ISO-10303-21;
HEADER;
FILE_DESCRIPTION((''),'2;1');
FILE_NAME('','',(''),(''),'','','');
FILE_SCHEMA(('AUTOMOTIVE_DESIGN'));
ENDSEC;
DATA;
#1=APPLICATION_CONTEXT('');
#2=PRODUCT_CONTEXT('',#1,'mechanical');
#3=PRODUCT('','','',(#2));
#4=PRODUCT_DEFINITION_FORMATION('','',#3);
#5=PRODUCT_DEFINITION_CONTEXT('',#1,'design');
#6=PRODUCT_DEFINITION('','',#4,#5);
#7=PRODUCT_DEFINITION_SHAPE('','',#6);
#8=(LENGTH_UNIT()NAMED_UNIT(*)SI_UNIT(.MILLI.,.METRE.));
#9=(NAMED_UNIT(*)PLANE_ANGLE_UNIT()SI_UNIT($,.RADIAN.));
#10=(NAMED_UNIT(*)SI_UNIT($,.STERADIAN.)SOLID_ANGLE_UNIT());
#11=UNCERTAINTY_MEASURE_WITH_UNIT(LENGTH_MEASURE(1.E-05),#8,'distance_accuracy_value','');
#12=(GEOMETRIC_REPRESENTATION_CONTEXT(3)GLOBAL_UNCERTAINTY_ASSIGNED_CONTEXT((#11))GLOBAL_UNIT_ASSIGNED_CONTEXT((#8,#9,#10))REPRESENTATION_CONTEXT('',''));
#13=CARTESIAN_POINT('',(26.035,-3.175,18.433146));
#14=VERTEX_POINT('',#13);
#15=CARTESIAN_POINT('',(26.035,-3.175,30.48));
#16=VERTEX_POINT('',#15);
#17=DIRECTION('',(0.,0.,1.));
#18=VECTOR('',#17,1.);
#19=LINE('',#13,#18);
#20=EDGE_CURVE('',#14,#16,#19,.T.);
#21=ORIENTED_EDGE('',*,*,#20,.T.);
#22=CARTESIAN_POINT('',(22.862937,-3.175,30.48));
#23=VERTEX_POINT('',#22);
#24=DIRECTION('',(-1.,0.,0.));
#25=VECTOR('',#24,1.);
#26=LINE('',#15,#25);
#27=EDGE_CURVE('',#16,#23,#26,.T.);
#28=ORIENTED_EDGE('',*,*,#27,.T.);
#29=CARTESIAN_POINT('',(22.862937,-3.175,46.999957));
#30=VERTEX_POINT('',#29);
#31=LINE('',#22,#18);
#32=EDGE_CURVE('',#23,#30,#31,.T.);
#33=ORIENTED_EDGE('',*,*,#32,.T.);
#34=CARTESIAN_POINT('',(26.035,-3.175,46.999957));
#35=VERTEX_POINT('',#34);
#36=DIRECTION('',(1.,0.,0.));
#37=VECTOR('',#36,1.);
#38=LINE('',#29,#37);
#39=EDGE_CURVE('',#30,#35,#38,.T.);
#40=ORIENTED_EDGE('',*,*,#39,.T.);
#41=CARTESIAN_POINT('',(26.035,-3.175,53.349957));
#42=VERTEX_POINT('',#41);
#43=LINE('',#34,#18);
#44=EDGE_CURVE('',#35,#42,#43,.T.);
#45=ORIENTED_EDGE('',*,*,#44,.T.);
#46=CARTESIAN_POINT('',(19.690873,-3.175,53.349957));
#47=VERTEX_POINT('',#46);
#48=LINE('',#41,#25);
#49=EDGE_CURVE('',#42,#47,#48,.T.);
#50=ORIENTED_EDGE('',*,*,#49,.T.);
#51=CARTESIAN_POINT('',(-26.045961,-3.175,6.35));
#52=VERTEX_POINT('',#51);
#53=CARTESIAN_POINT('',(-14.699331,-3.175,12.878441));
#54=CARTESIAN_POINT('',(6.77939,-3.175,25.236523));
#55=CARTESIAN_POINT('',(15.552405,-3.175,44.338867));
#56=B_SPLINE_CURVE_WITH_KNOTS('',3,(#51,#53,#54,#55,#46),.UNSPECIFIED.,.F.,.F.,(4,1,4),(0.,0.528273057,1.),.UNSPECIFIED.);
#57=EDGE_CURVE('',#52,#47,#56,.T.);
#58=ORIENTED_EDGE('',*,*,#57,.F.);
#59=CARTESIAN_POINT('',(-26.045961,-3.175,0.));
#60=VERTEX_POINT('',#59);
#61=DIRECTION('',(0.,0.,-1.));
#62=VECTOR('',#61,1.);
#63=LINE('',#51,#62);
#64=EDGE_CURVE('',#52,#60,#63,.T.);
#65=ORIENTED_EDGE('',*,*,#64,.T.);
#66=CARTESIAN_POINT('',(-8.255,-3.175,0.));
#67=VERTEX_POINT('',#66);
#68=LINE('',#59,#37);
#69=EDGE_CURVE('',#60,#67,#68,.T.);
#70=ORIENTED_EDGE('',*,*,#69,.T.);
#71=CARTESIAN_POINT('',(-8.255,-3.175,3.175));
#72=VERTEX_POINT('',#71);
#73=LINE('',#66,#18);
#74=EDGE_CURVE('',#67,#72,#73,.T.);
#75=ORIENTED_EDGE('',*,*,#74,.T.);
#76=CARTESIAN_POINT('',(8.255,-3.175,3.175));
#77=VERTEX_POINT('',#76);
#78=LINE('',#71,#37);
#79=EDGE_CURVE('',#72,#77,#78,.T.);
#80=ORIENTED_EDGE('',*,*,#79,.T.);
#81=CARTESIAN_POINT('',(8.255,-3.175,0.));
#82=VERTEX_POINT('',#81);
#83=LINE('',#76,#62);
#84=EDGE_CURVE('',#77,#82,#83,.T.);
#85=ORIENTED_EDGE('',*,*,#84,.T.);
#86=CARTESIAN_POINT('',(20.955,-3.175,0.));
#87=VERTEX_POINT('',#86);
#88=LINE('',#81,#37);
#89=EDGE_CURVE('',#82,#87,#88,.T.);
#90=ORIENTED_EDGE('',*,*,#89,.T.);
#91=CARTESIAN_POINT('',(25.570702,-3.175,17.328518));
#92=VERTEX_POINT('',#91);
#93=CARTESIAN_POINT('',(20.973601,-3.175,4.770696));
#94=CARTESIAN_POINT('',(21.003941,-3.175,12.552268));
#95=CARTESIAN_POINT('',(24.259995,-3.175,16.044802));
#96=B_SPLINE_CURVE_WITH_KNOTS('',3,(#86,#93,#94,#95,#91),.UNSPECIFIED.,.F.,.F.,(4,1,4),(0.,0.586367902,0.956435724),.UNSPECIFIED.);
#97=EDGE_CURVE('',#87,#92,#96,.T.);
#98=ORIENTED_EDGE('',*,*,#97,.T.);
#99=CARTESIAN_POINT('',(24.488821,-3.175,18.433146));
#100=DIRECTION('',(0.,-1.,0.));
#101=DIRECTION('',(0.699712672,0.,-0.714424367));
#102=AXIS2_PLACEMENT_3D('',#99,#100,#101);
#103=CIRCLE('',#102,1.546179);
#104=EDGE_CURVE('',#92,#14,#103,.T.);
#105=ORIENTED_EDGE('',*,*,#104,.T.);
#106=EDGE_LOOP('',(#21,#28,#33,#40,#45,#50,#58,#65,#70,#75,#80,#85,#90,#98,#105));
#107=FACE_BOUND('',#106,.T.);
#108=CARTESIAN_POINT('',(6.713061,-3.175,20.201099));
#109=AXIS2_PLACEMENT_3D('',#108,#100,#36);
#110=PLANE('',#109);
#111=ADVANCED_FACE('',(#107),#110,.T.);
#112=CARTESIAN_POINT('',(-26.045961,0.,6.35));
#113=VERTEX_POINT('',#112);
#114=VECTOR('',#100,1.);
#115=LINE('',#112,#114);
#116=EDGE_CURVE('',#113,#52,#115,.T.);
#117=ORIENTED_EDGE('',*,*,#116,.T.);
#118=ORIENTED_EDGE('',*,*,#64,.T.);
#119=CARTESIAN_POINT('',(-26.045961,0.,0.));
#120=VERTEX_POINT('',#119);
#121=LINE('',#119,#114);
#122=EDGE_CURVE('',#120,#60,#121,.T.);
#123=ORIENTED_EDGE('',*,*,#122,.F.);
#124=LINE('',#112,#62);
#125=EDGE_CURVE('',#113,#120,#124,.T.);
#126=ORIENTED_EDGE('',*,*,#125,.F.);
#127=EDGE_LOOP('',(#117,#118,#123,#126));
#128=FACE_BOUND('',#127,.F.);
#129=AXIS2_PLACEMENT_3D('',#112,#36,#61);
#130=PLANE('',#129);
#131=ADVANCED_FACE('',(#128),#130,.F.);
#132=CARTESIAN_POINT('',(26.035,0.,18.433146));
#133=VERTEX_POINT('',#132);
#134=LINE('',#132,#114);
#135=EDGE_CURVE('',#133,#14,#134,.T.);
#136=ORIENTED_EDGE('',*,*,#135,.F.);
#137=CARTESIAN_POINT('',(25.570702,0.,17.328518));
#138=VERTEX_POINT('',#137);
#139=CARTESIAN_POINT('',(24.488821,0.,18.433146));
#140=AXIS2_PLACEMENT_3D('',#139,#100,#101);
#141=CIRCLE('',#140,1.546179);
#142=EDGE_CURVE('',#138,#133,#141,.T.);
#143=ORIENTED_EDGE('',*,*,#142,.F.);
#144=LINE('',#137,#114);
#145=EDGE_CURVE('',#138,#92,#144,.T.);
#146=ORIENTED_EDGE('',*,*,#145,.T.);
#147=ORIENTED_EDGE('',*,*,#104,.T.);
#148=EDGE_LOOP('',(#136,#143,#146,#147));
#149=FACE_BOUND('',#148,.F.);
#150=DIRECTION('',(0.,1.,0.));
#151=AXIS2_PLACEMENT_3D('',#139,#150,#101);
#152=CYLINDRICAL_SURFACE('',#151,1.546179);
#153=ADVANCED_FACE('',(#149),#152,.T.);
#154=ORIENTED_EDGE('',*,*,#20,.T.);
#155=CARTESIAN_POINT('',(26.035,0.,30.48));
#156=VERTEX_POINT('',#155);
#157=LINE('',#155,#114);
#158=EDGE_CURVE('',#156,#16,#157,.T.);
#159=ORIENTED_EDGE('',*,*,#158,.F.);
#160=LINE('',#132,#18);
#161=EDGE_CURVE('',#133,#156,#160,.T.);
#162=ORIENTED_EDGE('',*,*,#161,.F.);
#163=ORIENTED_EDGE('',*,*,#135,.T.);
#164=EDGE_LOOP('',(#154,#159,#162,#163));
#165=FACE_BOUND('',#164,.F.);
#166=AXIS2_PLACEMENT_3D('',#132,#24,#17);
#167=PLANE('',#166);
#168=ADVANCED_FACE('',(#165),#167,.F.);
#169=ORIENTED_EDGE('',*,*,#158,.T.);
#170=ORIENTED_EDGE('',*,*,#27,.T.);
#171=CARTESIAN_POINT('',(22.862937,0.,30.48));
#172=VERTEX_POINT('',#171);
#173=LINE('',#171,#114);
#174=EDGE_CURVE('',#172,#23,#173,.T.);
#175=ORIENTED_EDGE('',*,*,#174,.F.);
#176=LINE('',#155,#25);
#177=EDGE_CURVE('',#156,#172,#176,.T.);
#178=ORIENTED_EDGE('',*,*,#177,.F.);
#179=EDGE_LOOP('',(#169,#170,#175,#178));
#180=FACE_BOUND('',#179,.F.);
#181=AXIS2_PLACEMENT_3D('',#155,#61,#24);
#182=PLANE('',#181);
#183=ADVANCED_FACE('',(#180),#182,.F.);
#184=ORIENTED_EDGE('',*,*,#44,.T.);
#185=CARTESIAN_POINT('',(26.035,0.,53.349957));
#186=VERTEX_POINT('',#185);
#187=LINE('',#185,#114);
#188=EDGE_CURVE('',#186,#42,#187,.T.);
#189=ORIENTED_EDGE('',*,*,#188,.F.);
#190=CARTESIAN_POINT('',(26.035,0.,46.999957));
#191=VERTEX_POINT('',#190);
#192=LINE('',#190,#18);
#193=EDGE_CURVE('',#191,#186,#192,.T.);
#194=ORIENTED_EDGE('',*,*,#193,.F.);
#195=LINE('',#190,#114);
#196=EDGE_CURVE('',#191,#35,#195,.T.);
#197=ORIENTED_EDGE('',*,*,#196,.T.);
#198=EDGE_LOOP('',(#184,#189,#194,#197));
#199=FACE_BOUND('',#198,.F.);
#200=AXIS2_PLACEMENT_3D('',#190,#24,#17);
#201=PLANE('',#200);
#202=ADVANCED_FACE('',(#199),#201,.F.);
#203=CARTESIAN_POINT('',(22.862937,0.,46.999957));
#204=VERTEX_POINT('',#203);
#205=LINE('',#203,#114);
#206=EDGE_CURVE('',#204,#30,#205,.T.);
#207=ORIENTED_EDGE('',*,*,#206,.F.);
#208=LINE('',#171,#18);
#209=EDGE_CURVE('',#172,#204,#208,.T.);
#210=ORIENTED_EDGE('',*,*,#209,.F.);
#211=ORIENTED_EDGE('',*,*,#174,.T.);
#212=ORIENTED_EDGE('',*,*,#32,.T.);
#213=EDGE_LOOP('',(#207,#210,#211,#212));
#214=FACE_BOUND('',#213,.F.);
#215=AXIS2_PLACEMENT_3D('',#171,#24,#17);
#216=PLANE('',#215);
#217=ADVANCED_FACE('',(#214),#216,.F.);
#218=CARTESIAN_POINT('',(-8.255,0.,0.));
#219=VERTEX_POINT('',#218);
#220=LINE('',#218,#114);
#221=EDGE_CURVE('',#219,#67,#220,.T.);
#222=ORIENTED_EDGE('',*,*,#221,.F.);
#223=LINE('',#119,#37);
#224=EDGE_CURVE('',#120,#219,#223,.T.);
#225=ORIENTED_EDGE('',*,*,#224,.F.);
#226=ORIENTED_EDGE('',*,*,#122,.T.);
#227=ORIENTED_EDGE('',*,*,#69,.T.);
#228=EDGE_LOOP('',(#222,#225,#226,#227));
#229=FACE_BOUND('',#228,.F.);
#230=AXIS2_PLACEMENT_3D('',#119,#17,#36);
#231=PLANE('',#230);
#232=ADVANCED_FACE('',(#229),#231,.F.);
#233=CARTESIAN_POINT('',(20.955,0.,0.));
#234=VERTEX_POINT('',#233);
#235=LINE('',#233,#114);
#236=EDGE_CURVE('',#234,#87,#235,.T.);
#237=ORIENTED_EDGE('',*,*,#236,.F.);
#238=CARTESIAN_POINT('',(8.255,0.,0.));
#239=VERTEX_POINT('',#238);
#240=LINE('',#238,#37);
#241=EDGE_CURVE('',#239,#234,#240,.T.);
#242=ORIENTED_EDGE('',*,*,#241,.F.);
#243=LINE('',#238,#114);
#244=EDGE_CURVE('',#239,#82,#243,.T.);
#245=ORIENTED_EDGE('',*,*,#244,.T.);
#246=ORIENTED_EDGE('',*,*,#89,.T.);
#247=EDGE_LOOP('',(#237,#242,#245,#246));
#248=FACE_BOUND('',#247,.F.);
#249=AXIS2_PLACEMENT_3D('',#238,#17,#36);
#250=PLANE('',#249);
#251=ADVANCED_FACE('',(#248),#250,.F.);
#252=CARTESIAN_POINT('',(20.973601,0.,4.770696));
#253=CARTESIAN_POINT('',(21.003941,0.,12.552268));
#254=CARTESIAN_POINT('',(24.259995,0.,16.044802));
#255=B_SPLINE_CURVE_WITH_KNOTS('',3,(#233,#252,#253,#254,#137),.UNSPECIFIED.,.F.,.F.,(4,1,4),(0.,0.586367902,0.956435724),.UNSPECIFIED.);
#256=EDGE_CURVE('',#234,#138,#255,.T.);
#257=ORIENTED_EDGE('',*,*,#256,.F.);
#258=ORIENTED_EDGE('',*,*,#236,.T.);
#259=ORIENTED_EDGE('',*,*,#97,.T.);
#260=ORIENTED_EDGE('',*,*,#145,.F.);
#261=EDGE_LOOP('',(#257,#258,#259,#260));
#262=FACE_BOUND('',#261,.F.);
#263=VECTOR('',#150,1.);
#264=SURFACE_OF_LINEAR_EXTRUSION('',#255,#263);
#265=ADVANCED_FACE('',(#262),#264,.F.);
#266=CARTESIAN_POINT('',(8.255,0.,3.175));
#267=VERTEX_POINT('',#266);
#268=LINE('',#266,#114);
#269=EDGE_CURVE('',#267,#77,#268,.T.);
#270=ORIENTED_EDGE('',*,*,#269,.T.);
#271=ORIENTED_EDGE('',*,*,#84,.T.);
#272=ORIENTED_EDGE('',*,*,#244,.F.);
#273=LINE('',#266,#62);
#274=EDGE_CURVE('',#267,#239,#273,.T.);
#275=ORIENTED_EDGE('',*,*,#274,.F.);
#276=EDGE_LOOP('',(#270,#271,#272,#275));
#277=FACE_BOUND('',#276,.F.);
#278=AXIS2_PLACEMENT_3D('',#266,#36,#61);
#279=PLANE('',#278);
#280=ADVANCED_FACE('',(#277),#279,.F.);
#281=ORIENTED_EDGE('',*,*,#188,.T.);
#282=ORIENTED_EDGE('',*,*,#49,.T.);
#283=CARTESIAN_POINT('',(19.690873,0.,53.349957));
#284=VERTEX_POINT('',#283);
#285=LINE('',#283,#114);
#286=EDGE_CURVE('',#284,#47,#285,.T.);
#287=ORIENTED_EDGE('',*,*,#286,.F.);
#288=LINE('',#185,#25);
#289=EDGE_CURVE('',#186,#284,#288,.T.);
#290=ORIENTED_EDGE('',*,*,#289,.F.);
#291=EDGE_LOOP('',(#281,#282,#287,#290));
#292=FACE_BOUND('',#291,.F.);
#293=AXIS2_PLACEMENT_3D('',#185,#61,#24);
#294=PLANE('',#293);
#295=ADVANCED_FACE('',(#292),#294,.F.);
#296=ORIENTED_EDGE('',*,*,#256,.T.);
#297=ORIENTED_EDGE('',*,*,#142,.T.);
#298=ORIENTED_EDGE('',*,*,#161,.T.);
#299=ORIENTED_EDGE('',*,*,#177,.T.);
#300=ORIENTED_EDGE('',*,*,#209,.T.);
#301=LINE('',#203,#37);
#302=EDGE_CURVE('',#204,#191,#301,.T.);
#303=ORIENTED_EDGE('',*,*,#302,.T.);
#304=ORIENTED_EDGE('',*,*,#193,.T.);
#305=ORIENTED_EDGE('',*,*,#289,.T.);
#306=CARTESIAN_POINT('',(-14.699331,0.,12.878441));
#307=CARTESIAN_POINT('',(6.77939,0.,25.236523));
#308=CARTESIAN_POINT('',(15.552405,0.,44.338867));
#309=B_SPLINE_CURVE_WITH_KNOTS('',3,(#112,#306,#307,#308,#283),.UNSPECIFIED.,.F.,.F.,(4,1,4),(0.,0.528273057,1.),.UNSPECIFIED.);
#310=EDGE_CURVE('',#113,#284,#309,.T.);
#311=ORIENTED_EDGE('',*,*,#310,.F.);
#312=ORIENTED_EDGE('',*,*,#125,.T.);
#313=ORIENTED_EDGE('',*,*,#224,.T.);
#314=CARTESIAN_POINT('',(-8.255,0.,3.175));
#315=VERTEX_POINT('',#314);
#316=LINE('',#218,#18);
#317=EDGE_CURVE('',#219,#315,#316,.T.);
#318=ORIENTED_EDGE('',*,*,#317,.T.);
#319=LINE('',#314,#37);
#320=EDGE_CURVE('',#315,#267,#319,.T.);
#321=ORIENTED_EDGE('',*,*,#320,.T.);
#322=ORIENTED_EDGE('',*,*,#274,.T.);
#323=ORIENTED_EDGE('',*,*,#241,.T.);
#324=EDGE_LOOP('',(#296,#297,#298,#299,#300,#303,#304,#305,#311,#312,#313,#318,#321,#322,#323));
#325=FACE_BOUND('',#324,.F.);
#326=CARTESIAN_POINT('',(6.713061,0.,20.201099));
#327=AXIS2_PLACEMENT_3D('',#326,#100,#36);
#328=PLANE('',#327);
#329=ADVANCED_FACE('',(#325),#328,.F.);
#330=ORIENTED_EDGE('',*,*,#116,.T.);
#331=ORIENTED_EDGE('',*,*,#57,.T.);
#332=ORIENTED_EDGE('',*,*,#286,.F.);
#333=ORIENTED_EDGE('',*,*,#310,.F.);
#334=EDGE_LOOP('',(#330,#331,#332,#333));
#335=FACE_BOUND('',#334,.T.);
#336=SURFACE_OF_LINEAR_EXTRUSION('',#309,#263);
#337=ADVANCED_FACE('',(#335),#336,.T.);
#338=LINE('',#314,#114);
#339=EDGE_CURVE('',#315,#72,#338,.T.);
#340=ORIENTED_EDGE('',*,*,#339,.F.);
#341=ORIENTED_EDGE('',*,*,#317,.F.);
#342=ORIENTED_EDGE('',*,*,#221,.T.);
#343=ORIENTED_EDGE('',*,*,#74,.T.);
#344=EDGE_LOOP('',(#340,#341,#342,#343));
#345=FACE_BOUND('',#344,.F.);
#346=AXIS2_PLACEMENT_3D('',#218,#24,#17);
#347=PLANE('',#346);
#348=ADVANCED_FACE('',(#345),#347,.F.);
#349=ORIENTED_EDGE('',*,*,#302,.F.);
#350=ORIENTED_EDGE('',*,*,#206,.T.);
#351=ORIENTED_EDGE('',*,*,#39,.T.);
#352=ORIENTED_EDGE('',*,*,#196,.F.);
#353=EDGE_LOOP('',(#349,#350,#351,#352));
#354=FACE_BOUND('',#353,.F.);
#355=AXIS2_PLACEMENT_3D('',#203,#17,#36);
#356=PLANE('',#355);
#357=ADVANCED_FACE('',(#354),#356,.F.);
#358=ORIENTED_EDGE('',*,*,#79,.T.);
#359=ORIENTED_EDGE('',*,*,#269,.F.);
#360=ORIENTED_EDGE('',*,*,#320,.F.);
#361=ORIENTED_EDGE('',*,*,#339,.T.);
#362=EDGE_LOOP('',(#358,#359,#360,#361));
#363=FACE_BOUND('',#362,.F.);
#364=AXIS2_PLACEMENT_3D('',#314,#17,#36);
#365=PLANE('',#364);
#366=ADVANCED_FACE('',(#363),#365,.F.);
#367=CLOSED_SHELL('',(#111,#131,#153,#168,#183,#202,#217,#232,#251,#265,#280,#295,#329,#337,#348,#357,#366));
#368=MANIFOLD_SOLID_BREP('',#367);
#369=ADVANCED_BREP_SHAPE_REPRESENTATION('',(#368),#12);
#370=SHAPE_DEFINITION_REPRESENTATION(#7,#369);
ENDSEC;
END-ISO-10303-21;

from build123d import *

# Parameters (mm, degrees)
F1_DEPTH = 3.175


with BuildPart() as f1:
    # F0 (on Front) → F1 (new body)
    with BuildSketch(Plane.XZ):
        with BuildLine():
            Line((-26.0459613055, 0), (-8.255, 0))
            Line((-8.255, 0), (-8.255, 3.175))
            Line((-8.255, 3.175), (8.255, 3.175))
            Line((8.255, 3.175), (8.255, 0))
            Line((8.255, 0), (20.955, 0))
            add(Edge.make_bspline(
                [(20.955, 0), (20.9736007659, 4.7706959948), (21.0039408253, 12.5522680544), (24.2599950378, 16.0448016341), (25.5707021463, 17.3285181683)],
                knots=[0, 0, 0, 0, 0.5863679016, 0.9564357243, 0.9564357243, 0.9564357243, 0.9564357243], degree=3))
            ThreePointArc((25.5707021463, 17.3285181683), (25.9142071586, 17.8340267538), (26.035, 18.4331458679))
            Line((26.035, 18.4331458679), (26.035, 30.48))
            Line((26.035, 30.48), (22.8629365507, 30.48))
            Line((22.8629365507, 30.48), (22.8629365507, 46.9999574125))
            Line((22.8629365507, 46.9999574125), (26.035, 46.9999574125))
            Line((26.035, 46.9999574125), (26.035, 53.3499574125))
            Line((26.035, 53.3499574125), (19.6908731014, 53.3499574125))
            add(Edge.make_bspline(
                [(-26.0459613055, 6.35), (-14.6993313754, 12.8784414899), (6.7793902362, 25.2365229805), (15.5524054536, 44.3388670459), (19.6908731014, 53.3499574125)],
                knots=[0, 0, 0, 0, 0.5282730572, 1, 1, 1, 1], degree=3))
            Line((-26.0459613055, 6.35), (-26.0459613055, 0))
        make_face()
    extrude(amount=F1_DEPTH)


solid = f1.part
